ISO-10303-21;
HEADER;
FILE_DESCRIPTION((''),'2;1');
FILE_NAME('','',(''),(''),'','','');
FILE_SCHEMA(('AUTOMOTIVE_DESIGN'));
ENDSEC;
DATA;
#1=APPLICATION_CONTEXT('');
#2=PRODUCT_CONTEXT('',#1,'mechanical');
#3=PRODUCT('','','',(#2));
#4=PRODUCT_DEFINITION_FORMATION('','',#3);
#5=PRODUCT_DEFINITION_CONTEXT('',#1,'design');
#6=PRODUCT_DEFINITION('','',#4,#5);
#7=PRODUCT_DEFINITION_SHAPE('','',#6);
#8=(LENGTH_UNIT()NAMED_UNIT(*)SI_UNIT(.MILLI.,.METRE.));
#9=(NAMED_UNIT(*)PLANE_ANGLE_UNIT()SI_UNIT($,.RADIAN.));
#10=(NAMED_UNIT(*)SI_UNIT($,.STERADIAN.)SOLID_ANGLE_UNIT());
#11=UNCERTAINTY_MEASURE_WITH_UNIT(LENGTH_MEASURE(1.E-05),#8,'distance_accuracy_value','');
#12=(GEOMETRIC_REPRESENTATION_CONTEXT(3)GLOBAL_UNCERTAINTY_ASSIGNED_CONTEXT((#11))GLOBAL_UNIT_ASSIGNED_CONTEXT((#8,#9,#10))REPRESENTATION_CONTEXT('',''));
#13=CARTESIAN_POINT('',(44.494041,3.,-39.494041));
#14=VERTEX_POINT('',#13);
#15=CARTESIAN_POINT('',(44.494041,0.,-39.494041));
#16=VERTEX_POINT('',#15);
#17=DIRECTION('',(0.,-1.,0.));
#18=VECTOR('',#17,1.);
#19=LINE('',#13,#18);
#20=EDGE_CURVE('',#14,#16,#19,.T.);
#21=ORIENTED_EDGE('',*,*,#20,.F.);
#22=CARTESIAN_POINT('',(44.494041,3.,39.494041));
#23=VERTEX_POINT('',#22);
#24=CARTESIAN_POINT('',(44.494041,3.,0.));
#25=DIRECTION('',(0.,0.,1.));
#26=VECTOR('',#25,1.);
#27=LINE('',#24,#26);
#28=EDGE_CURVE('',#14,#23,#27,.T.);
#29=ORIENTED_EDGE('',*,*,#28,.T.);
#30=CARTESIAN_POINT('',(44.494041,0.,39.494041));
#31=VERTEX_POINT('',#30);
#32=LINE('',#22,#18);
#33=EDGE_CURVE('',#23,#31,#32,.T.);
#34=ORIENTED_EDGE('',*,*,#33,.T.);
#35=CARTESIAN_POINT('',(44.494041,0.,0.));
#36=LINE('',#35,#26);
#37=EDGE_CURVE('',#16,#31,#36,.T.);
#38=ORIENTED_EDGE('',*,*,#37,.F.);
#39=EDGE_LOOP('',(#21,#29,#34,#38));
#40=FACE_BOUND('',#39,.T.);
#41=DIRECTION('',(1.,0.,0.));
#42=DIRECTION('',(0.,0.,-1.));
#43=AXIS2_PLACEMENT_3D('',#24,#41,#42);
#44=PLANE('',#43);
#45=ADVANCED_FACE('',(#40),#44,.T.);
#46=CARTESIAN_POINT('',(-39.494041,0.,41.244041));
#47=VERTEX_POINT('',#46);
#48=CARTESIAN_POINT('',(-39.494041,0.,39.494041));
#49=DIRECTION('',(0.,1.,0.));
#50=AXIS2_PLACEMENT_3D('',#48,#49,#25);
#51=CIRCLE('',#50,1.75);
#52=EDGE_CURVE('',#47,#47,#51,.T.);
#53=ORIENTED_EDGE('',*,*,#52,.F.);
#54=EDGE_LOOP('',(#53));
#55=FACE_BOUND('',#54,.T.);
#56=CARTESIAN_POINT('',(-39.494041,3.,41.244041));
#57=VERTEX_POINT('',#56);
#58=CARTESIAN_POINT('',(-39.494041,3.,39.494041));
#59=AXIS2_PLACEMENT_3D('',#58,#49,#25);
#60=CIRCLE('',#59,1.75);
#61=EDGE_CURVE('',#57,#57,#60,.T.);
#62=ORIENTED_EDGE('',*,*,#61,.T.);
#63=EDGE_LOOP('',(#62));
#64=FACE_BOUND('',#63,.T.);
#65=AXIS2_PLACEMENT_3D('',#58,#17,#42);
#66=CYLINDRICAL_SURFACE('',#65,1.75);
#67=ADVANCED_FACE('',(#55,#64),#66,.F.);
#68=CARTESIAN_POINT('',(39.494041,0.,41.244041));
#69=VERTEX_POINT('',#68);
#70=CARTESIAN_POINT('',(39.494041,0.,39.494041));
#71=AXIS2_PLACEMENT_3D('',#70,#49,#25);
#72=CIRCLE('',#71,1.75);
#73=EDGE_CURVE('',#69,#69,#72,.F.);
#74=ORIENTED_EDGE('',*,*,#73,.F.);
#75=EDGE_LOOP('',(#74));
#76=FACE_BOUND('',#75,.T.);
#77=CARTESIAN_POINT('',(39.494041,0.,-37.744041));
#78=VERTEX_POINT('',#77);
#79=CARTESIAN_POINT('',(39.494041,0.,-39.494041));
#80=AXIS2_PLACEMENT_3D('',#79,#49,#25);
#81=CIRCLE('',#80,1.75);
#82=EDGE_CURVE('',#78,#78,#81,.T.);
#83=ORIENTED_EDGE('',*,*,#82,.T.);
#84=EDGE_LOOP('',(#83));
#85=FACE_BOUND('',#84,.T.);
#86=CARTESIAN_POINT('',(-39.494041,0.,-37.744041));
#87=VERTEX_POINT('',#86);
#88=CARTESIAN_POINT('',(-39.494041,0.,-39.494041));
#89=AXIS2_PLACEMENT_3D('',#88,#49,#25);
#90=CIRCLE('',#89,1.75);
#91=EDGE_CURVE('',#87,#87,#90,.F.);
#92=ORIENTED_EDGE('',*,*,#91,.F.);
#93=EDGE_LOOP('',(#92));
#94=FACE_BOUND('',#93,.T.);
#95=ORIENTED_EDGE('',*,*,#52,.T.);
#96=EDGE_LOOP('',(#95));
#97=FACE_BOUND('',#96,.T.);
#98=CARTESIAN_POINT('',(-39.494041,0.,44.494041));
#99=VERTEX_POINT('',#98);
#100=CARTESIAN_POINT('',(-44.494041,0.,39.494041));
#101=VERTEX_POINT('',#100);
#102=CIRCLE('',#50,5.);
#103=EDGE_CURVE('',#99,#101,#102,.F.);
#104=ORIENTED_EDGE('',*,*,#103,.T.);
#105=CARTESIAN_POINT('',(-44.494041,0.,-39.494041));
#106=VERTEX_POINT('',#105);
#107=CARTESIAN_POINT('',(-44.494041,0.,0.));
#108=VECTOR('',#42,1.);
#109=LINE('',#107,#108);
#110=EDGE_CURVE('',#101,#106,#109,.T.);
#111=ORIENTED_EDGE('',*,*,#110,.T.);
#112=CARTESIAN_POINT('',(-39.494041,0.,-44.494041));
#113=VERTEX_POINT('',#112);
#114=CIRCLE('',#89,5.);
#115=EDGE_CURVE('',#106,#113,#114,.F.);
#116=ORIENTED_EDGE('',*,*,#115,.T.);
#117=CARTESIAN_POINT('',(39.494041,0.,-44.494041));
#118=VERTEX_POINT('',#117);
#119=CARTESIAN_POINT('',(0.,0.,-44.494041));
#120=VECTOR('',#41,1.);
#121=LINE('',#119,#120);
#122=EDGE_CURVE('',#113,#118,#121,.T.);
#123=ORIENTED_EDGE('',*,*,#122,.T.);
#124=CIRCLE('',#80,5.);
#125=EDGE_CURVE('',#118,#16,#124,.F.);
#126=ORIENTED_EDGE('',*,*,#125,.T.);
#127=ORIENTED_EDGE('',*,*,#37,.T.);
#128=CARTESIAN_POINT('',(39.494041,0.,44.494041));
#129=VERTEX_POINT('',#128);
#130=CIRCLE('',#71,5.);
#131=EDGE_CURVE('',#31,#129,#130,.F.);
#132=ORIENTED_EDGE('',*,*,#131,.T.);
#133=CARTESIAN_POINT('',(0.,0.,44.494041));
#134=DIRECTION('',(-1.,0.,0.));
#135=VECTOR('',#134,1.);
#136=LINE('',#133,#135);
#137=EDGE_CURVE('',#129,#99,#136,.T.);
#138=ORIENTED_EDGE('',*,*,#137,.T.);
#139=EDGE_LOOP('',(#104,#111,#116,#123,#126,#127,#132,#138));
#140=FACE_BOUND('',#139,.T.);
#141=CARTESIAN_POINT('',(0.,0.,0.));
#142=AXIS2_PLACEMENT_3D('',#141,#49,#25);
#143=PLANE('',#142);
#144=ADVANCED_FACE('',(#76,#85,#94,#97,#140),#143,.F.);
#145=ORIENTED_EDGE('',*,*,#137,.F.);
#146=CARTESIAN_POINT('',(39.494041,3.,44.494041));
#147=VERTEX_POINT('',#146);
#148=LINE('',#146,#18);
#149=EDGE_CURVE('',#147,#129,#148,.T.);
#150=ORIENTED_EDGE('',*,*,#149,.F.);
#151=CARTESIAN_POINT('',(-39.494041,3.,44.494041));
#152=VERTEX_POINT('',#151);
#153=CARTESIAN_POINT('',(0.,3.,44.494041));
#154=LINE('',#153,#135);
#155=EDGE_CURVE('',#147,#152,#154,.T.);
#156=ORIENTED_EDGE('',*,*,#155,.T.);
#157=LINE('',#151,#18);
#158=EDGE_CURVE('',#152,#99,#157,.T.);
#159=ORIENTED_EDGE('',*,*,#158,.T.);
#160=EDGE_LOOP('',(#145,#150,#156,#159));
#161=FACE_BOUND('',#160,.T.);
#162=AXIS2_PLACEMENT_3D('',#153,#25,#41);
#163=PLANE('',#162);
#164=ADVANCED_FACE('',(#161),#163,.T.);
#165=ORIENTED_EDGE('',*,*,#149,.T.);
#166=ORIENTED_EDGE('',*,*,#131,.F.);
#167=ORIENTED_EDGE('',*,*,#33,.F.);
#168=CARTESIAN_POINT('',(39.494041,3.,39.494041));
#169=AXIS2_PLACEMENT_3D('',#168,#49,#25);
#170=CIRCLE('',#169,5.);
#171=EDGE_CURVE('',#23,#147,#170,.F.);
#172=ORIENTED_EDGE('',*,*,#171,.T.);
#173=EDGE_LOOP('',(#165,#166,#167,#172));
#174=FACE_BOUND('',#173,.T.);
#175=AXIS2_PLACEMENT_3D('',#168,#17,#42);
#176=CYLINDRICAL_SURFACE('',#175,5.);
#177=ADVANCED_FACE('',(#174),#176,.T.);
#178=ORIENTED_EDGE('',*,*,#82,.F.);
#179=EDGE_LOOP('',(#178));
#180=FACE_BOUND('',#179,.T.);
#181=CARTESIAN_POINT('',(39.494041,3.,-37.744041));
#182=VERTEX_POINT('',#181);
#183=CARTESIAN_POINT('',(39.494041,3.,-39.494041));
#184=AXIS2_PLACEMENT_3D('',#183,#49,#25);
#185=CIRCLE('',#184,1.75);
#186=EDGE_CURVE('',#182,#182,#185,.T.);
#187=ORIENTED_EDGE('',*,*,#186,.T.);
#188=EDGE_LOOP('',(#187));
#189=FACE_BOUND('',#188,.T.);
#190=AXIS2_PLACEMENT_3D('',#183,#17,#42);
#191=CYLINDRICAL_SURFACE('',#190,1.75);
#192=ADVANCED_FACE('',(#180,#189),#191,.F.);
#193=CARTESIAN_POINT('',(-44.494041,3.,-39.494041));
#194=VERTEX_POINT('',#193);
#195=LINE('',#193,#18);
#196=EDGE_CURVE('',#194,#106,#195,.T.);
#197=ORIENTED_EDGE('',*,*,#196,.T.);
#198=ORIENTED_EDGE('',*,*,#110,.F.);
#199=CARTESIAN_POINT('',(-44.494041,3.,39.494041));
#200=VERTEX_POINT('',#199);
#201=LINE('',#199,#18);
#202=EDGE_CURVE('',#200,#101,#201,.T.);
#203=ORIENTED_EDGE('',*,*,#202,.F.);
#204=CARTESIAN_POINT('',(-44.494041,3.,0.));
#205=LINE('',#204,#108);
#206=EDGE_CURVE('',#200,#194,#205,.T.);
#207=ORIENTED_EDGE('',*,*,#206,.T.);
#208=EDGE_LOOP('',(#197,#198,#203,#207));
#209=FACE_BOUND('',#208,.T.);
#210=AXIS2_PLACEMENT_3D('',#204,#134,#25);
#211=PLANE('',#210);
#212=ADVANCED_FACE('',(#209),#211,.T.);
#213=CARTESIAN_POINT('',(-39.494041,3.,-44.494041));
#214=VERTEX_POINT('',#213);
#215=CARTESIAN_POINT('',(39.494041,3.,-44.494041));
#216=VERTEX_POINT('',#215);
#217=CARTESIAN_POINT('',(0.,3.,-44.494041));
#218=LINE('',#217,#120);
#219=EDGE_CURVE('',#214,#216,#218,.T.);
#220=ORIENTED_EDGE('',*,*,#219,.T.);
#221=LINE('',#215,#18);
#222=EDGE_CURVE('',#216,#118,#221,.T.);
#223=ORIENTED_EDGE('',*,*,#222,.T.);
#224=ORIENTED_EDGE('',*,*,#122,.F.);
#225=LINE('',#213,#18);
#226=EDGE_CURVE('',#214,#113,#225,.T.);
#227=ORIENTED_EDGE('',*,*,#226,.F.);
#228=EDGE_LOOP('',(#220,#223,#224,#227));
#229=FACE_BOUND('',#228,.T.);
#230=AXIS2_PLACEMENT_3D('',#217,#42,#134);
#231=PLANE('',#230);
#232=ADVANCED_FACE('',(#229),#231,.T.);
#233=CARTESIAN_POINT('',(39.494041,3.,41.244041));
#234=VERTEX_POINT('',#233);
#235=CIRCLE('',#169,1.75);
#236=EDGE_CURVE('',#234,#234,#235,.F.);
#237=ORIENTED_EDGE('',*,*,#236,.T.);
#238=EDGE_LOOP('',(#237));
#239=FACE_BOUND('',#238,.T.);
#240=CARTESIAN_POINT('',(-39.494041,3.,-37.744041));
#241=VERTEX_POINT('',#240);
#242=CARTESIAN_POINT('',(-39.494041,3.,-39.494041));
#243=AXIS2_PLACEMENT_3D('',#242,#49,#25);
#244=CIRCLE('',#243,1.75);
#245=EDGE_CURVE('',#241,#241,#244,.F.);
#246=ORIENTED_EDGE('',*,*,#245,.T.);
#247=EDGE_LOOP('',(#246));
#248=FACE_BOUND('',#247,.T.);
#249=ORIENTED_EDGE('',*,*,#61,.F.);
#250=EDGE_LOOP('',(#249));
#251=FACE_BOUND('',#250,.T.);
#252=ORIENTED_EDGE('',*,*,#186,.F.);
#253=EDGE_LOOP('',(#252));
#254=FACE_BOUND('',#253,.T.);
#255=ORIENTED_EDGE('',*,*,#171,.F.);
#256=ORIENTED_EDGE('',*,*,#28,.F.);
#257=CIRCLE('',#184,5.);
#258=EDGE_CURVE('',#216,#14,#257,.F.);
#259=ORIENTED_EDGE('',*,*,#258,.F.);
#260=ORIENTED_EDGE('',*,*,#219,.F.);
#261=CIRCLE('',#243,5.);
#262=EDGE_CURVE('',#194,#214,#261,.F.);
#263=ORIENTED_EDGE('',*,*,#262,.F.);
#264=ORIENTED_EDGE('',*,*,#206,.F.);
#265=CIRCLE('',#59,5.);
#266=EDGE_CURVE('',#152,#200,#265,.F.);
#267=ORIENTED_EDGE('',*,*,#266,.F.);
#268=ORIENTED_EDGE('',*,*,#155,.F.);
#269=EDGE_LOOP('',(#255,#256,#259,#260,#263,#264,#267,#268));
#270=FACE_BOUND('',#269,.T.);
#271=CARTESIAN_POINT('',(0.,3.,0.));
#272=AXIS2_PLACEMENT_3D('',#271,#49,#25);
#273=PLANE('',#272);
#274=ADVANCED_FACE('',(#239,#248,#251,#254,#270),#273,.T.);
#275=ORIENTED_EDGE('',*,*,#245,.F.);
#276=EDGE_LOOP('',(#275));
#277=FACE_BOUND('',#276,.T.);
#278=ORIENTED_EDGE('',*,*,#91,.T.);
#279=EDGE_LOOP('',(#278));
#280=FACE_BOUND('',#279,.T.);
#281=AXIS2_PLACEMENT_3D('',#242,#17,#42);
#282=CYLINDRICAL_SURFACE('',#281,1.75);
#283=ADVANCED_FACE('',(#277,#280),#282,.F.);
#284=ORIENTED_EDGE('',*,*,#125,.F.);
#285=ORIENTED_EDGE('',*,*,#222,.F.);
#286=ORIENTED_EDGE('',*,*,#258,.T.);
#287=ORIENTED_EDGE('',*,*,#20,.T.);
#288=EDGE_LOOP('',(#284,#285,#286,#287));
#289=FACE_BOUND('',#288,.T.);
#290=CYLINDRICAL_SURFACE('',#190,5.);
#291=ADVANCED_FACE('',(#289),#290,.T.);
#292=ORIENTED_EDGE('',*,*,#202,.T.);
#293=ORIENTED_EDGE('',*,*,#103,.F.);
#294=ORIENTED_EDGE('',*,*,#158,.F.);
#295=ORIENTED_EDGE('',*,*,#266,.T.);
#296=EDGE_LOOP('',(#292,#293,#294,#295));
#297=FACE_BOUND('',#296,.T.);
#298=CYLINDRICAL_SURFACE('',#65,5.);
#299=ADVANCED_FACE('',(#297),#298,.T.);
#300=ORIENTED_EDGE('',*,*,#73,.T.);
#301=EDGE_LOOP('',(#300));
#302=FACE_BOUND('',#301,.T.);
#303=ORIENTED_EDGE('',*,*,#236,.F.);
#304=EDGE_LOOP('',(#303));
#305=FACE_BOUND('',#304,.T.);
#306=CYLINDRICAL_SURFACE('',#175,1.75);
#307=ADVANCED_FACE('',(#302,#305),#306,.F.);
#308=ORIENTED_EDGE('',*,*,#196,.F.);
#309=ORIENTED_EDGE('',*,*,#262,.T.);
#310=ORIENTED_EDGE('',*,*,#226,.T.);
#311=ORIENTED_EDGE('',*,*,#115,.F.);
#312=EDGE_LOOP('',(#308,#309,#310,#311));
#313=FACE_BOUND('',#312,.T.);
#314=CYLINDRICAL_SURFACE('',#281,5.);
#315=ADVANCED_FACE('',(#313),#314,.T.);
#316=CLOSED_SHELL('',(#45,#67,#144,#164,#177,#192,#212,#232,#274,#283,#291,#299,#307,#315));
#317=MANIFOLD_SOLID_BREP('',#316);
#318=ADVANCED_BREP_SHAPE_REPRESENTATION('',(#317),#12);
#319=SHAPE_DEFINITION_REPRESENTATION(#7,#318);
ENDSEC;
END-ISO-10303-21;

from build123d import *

# Parameters (mm, degrees)
SKETCH1_R           = 1.75
BOSS_EXTRUDE1_DEPTH = 3


with BuildPart() as part:
    # Sketch1 → Boss-Extrude1 (new body)
    with BuildSketch(Plane(origin=(0, 0, 0), x_dir=(1, 0, 0), z_dir=(0, 1, 0))):
        with BuildLine():
            ThreePointArc((-44.494041124, 39.494041124), (-43.02957503, 43.02957503), (-39.494041124, 44.494041124))
            Line((-39.494041124, 44.494041124), (0, 44.494041124))
            Line((0, 44.494041124), (39.494041124, 44.494041124))
            ThreePointArc((39.494041124, 44.494041124), (43.02957503, 43.02957503), (44.494041124, 39.494041124))
            Line((44.494041124, 39.494041124), (44.494041124, 0))
            Line((44.494041124, 0), (44.494041124, -39.494041124))
            ThreePointArc((44.494041124, -39.494041124), (43.02957503, -43.02957503), (39.494041124, -44.494041124))
            Line((39.494041124, -44.494041124), (0, -44.494041124))
            Line((0, -44.494041124), (-39.494041124, -44.494041124))
            ThreePointArc((-39.494041124, -44.494041124), (-43.02957503, -43.02957503), (-44.494041124, -39.494041124))
            Line((-44.494041124, -39.494041124), (-44.494041124, 0))
            Line((-44.494041124, 0), (-44.494041124, 39.494041124))
        make_face()
        with Locations(Location((-39.494041124, -39.494041124, 0), (0, 0, 270))):
            Circle(SKETCH1_R, mode=Mode.SUBTRACT)
        with Locations(Location((-39.494041124, 39.494041124, 0), (0, 0, 270))):
            Circle(SKETCH1_R, mode=Mode.SUBTRACT)
        with Locations(Location((39.494041124, 39.494041124, 0), (0, 0, 270))):
            Circle(SKETCH1_R, mode=Mode.SUBTRACT)
        with Locations(Location((39.494041124, -39.494041124, 0), (0, 0, 270))):
            Circle(SKETCH1_R, mode=Mode.SUBTRACT)
    extrude(amount=BOSS_EXTRUDE1_DEPTH)


solid = part.part
